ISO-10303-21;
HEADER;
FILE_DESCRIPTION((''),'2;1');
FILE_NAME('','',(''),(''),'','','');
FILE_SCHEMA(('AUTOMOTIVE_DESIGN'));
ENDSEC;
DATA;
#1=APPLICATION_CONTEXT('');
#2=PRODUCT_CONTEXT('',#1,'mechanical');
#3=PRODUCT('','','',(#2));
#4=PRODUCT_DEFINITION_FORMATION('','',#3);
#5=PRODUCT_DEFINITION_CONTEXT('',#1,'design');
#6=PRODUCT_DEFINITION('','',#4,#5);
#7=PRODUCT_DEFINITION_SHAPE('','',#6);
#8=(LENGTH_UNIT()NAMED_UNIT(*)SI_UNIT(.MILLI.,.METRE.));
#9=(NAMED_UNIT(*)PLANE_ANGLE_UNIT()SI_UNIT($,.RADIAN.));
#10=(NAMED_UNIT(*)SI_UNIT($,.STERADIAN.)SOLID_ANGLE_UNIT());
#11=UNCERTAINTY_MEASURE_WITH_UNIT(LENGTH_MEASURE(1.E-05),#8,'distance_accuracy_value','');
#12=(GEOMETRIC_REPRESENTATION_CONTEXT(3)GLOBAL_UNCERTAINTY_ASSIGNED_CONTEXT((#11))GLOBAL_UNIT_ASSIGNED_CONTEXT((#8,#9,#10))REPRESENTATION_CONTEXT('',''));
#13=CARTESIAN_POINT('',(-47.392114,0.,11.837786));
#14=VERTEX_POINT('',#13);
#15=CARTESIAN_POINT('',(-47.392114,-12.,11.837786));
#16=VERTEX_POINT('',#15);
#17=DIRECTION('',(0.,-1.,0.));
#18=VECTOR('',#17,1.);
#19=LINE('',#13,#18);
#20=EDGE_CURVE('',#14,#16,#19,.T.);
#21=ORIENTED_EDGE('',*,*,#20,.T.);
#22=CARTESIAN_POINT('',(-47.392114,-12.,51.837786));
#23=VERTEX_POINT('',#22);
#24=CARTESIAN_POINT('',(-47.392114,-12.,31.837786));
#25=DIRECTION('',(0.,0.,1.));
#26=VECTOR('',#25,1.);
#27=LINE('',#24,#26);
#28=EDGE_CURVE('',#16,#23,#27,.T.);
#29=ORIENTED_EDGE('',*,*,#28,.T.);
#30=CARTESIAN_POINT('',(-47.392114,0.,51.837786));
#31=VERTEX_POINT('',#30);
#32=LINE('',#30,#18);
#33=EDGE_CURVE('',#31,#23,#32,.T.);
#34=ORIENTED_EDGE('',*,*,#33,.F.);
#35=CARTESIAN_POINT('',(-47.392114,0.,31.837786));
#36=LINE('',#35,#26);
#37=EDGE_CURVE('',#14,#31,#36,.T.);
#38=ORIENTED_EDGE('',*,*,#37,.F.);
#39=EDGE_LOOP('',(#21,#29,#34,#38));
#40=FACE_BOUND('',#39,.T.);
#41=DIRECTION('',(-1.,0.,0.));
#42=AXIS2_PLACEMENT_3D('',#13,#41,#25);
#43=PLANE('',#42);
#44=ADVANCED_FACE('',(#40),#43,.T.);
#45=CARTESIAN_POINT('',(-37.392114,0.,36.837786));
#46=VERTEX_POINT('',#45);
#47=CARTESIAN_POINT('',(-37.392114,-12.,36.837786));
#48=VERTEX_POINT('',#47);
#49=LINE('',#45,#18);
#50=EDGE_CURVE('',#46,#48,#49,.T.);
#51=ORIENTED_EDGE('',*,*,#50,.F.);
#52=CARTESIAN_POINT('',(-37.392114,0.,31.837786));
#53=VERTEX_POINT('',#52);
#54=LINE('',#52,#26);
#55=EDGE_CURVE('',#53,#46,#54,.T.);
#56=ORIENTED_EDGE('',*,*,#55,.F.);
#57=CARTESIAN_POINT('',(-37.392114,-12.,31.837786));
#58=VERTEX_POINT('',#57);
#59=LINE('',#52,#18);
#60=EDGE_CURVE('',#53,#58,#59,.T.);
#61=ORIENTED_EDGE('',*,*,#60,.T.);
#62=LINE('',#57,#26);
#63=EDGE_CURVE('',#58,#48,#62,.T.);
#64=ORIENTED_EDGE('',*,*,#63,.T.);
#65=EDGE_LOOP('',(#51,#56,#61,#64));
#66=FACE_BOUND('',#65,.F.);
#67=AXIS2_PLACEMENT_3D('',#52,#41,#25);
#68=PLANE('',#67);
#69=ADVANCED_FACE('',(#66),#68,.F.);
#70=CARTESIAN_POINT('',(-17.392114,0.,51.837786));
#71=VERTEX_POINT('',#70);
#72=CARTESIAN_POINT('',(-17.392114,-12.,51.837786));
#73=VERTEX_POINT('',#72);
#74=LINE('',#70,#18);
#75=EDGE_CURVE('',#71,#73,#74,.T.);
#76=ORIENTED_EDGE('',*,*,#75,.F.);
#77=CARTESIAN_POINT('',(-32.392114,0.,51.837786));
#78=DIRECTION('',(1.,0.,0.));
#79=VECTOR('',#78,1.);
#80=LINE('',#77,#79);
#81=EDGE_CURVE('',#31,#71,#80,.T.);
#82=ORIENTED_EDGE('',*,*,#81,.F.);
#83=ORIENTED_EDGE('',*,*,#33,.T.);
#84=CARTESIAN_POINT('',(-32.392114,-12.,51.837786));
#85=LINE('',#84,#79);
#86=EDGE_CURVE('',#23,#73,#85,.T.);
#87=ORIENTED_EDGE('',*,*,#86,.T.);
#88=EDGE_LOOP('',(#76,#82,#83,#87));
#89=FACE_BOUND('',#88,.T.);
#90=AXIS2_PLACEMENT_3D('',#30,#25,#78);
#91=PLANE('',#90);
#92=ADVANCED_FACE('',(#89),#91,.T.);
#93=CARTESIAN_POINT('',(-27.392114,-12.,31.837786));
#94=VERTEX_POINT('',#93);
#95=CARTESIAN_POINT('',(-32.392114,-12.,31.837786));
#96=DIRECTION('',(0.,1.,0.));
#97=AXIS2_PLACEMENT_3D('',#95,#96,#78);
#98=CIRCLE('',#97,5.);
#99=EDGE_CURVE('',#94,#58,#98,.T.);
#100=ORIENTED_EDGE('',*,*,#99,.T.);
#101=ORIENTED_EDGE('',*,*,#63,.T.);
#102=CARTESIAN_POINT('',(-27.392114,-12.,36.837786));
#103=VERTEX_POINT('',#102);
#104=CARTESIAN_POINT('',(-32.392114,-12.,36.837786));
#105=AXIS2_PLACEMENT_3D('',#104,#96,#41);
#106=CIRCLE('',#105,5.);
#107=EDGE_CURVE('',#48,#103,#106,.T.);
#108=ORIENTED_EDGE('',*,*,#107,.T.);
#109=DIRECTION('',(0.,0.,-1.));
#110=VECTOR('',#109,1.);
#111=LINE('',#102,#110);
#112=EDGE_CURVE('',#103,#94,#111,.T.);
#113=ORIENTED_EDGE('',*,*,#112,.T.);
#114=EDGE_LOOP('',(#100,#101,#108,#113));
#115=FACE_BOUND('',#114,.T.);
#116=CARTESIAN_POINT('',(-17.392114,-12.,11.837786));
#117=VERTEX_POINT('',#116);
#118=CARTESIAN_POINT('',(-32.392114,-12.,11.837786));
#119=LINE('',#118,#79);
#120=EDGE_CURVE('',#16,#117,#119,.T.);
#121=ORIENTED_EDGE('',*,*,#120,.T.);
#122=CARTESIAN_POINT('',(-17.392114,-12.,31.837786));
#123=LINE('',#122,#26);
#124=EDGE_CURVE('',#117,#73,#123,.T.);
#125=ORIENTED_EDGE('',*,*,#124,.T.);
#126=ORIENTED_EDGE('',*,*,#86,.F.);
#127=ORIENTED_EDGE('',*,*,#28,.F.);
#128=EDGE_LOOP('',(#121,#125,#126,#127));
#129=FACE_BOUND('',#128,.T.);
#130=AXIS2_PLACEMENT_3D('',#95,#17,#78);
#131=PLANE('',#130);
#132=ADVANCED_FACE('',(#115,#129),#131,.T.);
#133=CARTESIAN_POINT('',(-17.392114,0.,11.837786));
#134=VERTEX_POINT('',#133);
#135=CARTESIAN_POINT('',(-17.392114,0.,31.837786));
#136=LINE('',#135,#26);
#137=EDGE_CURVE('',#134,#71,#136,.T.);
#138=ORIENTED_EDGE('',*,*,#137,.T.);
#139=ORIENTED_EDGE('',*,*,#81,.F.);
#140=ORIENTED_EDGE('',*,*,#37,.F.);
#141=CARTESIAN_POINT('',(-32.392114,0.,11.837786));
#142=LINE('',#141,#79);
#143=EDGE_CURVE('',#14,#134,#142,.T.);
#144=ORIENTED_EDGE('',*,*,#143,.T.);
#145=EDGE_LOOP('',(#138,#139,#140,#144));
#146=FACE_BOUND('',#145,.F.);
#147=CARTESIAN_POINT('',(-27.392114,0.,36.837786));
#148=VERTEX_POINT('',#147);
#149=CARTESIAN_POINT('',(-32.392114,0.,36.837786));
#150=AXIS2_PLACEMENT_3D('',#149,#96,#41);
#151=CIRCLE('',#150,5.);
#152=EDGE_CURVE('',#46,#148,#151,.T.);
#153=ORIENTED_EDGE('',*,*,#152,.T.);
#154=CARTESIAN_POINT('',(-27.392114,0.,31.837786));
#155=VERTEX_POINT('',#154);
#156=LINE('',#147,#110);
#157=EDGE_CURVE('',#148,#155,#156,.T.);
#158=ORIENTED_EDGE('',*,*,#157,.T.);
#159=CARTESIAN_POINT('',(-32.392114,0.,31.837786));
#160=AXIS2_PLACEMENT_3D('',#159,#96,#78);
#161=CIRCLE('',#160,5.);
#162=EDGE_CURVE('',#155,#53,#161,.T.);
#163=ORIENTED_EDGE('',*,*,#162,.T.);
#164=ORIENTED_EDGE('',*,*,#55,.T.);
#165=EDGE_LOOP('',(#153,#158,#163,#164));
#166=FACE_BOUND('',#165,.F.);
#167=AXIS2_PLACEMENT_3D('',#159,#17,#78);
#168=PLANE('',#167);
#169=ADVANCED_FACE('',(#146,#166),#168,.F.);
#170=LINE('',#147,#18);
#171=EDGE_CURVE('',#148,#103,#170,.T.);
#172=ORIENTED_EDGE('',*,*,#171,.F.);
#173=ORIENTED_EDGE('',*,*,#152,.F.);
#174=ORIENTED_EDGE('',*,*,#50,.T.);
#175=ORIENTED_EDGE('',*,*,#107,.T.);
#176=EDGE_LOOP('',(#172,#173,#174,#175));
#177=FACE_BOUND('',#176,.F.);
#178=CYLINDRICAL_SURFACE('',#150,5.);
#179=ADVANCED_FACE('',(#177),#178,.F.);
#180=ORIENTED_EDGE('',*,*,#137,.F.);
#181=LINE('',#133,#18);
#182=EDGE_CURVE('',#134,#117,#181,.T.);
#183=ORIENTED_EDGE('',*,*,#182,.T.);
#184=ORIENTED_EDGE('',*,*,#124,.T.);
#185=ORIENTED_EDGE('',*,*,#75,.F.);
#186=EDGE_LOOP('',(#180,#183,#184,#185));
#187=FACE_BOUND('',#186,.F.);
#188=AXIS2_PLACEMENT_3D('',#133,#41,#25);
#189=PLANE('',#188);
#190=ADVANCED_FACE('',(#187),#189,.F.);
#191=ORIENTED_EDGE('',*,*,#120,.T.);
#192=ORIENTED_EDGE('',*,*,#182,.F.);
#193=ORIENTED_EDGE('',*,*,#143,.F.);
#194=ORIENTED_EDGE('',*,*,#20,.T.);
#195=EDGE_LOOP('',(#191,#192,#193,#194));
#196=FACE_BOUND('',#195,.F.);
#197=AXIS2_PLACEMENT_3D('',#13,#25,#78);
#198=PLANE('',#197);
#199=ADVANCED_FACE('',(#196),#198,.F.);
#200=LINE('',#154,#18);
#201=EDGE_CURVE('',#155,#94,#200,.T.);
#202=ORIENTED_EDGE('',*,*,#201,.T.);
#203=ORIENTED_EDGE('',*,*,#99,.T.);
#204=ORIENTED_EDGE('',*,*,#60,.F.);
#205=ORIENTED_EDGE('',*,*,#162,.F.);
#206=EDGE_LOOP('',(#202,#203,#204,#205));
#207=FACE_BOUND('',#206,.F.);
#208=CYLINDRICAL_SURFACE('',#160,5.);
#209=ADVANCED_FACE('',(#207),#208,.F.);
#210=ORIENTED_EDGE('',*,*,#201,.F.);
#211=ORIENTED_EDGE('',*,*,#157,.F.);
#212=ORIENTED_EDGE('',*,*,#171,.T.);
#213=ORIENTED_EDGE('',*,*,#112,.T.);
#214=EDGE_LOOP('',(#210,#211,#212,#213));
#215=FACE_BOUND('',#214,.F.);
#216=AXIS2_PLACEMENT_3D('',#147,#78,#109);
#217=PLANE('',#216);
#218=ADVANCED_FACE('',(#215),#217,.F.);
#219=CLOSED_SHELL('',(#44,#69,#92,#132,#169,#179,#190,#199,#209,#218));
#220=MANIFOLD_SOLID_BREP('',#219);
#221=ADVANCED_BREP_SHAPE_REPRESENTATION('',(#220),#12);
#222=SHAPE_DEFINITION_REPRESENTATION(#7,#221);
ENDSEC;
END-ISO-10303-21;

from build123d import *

# Parameters (mm, degrees)
F0_W     = 30
F0_H     = 40
F1_DEPTH = 12


with BuildPart() as f1:
    # F0 (on Front) → F1 (new body)
    with BuildSketch(Plane.XZ):
        with Locations((-32.392114, 31.837786)):
            Rectangle(F0_W, F0_H)
        with BuildLine():
            ThreePointArc((-37.392114, 36.837786), (-32.392114, 41.837786), (-27.392114, 36.837786))
            Line((-27.392114, 36.837786), (-27.392114, 31.837786))
            ThreePointArc((-27.392114, 31.837786), (-32.392114, 26.837786), (-37.392114, 31.837786))
            Line((-37.392114, 31.837786), (-37.392114, 36.837786))
        make_face(mode=Mode.SUBTRACT)
    extrude(amount=F1_DEPTH)


solid = f1.part
